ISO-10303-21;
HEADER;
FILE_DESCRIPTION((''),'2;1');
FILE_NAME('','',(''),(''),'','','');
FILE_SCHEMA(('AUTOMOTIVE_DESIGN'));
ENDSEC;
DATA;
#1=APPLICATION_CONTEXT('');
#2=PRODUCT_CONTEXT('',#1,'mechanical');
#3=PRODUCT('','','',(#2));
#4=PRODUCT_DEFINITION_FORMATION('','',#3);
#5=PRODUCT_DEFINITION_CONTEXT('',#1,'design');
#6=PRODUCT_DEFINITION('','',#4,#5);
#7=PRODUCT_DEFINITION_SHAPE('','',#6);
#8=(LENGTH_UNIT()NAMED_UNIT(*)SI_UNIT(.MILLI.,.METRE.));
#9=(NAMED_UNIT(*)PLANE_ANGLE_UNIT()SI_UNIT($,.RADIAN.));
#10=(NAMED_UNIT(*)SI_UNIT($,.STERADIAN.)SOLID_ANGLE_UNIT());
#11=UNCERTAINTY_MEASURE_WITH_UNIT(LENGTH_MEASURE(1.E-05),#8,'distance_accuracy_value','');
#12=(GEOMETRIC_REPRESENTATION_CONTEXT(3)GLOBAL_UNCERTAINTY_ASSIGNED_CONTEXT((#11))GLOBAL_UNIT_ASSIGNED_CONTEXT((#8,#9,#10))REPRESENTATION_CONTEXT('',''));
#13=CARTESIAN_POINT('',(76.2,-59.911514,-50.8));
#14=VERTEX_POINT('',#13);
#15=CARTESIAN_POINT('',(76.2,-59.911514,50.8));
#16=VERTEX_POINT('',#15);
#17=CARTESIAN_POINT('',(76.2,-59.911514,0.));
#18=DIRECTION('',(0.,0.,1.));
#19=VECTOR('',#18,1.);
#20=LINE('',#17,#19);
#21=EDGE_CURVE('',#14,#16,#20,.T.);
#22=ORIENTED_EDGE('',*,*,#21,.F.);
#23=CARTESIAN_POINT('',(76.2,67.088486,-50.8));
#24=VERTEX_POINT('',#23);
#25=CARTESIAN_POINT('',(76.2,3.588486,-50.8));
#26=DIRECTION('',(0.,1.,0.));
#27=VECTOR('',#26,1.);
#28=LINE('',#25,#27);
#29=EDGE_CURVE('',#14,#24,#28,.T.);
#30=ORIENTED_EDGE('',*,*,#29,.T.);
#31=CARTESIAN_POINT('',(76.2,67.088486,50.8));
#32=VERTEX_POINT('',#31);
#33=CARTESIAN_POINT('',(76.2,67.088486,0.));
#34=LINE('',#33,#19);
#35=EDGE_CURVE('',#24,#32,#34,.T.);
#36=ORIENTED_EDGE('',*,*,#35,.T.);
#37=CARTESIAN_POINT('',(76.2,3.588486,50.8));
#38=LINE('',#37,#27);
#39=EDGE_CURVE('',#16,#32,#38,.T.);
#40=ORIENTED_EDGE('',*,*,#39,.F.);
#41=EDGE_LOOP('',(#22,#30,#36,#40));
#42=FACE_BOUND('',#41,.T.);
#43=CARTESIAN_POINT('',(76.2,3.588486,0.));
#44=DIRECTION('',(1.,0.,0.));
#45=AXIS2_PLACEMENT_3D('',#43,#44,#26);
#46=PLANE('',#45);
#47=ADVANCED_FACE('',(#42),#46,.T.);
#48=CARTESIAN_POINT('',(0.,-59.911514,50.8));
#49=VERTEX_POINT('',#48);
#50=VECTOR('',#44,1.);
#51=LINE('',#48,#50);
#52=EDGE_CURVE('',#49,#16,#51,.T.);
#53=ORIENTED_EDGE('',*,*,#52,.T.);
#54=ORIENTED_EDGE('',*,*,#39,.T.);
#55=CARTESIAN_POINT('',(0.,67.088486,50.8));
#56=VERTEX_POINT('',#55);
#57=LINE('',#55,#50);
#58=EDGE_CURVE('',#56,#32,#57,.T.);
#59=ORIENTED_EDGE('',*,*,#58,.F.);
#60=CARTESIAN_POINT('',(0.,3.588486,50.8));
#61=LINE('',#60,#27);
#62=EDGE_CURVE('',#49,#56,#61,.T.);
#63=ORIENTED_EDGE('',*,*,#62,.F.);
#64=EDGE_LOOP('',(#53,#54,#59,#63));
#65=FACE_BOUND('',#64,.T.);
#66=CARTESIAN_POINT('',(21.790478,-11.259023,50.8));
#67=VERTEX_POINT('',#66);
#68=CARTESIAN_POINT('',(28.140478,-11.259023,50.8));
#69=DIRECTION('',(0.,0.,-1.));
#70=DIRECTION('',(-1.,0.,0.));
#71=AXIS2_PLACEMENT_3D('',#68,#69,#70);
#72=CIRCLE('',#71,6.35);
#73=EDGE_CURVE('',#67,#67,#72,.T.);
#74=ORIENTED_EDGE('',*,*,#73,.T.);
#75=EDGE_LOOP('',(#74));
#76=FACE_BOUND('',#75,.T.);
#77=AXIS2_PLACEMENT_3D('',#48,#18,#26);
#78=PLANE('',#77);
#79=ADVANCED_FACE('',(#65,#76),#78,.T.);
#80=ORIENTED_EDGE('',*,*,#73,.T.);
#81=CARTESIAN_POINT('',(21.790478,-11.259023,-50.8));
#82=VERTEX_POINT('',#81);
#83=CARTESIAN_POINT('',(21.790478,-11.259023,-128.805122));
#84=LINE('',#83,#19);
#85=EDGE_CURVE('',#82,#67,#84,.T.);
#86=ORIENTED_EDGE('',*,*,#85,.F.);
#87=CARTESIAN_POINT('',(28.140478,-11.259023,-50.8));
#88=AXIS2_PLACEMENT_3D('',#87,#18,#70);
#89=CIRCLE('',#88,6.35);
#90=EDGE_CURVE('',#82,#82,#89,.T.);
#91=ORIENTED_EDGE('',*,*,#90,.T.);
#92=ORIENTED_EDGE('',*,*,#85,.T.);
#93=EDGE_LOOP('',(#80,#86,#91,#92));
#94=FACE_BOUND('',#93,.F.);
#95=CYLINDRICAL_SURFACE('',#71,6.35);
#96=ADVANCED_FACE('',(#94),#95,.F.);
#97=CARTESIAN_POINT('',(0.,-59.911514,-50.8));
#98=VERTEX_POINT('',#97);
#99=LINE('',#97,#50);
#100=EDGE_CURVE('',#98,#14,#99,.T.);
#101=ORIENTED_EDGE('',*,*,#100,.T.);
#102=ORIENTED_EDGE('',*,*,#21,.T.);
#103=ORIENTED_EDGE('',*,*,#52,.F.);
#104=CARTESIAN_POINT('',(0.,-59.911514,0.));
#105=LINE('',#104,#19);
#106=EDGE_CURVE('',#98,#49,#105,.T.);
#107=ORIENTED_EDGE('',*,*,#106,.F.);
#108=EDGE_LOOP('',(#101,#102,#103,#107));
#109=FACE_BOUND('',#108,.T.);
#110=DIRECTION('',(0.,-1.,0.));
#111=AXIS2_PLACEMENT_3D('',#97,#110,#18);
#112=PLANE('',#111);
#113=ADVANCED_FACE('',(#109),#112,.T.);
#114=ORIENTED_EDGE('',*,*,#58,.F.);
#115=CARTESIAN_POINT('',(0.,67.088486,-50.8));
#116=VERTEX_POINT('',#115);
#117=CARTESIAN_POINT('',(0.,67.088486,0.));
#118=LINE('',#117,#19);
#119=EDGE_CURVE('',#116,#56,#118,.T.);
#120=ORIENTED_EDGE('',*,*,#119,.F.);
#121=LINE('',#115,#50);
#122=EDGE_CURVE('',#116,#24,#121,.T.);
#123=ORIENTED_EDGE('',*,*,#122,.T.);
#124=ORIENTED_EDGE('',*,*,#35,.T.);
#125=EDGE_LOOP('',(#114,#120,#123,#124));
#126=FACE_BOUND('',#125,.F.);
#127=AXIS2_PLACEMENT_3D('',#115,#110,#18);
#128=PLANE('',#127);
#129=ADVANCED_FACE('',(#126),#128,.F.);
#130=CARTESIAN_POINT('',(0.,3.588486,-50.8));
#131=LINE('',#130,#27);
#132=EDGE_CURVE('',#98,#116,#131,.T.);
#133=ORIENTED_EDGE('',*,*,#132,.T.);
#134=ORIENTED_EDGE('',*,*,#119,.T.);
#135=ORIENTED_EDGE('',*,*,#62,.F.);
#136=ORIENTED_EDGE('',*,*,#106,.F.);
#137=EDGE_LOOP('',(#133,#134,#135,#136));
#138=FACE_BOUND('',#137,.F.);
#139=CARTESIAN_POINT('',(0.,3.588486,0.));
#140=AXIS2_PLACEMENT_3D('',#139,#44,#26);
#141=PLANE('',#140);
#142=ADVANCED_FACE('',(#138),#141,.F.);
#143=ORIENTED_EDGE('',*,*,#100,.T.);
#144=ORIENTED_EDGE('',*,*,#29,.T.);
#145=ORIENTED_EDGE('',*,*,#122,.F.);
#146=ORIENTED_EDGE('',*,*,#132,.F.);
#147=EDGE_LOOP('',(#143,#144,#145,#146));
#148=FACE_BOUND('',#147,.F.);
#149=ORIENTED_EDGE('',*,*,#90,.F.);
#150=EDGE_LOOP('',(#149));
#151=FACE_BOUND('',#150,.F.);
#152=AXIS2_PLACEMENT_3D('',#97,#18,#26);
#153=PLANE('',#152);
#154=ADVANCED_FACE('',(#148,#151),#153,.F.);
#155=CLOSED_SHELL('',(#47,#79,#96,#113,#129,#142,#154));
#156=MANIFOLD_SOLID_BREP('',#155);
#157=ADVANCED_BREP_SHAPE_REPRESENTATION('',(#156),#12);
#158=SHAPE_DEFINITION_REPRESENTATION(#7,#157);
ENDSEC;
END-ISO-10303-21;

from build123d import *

# Parameters (mm, degrees)
F0_W           = 127
F0_H           = 101.6
F1_DEPTH       = 76.2
F3_D           = 12.7
F3_CBORE_D     = 12.7
F3_CBORE_DEPTH = 6.35


with BuildPart() as f1:
    # F0 (on Right) → F1 (new body)
    with BuildSketch(Plane.YZ):
        with Locations((3.588486, 0)):
            Rectangle(F0_W, F0_H)
    extrude(amount=F1_DEPTH)

    # F3 (through all)
    with Locations(Plane.XY.offset(50.8)):
        with Locations((28.140478, -11.259023)):
            CounterBoreHole(F3_D / 2, F3_CBORE_D / 2, F3_CBORE_DEPTH)


solid = f1.part
